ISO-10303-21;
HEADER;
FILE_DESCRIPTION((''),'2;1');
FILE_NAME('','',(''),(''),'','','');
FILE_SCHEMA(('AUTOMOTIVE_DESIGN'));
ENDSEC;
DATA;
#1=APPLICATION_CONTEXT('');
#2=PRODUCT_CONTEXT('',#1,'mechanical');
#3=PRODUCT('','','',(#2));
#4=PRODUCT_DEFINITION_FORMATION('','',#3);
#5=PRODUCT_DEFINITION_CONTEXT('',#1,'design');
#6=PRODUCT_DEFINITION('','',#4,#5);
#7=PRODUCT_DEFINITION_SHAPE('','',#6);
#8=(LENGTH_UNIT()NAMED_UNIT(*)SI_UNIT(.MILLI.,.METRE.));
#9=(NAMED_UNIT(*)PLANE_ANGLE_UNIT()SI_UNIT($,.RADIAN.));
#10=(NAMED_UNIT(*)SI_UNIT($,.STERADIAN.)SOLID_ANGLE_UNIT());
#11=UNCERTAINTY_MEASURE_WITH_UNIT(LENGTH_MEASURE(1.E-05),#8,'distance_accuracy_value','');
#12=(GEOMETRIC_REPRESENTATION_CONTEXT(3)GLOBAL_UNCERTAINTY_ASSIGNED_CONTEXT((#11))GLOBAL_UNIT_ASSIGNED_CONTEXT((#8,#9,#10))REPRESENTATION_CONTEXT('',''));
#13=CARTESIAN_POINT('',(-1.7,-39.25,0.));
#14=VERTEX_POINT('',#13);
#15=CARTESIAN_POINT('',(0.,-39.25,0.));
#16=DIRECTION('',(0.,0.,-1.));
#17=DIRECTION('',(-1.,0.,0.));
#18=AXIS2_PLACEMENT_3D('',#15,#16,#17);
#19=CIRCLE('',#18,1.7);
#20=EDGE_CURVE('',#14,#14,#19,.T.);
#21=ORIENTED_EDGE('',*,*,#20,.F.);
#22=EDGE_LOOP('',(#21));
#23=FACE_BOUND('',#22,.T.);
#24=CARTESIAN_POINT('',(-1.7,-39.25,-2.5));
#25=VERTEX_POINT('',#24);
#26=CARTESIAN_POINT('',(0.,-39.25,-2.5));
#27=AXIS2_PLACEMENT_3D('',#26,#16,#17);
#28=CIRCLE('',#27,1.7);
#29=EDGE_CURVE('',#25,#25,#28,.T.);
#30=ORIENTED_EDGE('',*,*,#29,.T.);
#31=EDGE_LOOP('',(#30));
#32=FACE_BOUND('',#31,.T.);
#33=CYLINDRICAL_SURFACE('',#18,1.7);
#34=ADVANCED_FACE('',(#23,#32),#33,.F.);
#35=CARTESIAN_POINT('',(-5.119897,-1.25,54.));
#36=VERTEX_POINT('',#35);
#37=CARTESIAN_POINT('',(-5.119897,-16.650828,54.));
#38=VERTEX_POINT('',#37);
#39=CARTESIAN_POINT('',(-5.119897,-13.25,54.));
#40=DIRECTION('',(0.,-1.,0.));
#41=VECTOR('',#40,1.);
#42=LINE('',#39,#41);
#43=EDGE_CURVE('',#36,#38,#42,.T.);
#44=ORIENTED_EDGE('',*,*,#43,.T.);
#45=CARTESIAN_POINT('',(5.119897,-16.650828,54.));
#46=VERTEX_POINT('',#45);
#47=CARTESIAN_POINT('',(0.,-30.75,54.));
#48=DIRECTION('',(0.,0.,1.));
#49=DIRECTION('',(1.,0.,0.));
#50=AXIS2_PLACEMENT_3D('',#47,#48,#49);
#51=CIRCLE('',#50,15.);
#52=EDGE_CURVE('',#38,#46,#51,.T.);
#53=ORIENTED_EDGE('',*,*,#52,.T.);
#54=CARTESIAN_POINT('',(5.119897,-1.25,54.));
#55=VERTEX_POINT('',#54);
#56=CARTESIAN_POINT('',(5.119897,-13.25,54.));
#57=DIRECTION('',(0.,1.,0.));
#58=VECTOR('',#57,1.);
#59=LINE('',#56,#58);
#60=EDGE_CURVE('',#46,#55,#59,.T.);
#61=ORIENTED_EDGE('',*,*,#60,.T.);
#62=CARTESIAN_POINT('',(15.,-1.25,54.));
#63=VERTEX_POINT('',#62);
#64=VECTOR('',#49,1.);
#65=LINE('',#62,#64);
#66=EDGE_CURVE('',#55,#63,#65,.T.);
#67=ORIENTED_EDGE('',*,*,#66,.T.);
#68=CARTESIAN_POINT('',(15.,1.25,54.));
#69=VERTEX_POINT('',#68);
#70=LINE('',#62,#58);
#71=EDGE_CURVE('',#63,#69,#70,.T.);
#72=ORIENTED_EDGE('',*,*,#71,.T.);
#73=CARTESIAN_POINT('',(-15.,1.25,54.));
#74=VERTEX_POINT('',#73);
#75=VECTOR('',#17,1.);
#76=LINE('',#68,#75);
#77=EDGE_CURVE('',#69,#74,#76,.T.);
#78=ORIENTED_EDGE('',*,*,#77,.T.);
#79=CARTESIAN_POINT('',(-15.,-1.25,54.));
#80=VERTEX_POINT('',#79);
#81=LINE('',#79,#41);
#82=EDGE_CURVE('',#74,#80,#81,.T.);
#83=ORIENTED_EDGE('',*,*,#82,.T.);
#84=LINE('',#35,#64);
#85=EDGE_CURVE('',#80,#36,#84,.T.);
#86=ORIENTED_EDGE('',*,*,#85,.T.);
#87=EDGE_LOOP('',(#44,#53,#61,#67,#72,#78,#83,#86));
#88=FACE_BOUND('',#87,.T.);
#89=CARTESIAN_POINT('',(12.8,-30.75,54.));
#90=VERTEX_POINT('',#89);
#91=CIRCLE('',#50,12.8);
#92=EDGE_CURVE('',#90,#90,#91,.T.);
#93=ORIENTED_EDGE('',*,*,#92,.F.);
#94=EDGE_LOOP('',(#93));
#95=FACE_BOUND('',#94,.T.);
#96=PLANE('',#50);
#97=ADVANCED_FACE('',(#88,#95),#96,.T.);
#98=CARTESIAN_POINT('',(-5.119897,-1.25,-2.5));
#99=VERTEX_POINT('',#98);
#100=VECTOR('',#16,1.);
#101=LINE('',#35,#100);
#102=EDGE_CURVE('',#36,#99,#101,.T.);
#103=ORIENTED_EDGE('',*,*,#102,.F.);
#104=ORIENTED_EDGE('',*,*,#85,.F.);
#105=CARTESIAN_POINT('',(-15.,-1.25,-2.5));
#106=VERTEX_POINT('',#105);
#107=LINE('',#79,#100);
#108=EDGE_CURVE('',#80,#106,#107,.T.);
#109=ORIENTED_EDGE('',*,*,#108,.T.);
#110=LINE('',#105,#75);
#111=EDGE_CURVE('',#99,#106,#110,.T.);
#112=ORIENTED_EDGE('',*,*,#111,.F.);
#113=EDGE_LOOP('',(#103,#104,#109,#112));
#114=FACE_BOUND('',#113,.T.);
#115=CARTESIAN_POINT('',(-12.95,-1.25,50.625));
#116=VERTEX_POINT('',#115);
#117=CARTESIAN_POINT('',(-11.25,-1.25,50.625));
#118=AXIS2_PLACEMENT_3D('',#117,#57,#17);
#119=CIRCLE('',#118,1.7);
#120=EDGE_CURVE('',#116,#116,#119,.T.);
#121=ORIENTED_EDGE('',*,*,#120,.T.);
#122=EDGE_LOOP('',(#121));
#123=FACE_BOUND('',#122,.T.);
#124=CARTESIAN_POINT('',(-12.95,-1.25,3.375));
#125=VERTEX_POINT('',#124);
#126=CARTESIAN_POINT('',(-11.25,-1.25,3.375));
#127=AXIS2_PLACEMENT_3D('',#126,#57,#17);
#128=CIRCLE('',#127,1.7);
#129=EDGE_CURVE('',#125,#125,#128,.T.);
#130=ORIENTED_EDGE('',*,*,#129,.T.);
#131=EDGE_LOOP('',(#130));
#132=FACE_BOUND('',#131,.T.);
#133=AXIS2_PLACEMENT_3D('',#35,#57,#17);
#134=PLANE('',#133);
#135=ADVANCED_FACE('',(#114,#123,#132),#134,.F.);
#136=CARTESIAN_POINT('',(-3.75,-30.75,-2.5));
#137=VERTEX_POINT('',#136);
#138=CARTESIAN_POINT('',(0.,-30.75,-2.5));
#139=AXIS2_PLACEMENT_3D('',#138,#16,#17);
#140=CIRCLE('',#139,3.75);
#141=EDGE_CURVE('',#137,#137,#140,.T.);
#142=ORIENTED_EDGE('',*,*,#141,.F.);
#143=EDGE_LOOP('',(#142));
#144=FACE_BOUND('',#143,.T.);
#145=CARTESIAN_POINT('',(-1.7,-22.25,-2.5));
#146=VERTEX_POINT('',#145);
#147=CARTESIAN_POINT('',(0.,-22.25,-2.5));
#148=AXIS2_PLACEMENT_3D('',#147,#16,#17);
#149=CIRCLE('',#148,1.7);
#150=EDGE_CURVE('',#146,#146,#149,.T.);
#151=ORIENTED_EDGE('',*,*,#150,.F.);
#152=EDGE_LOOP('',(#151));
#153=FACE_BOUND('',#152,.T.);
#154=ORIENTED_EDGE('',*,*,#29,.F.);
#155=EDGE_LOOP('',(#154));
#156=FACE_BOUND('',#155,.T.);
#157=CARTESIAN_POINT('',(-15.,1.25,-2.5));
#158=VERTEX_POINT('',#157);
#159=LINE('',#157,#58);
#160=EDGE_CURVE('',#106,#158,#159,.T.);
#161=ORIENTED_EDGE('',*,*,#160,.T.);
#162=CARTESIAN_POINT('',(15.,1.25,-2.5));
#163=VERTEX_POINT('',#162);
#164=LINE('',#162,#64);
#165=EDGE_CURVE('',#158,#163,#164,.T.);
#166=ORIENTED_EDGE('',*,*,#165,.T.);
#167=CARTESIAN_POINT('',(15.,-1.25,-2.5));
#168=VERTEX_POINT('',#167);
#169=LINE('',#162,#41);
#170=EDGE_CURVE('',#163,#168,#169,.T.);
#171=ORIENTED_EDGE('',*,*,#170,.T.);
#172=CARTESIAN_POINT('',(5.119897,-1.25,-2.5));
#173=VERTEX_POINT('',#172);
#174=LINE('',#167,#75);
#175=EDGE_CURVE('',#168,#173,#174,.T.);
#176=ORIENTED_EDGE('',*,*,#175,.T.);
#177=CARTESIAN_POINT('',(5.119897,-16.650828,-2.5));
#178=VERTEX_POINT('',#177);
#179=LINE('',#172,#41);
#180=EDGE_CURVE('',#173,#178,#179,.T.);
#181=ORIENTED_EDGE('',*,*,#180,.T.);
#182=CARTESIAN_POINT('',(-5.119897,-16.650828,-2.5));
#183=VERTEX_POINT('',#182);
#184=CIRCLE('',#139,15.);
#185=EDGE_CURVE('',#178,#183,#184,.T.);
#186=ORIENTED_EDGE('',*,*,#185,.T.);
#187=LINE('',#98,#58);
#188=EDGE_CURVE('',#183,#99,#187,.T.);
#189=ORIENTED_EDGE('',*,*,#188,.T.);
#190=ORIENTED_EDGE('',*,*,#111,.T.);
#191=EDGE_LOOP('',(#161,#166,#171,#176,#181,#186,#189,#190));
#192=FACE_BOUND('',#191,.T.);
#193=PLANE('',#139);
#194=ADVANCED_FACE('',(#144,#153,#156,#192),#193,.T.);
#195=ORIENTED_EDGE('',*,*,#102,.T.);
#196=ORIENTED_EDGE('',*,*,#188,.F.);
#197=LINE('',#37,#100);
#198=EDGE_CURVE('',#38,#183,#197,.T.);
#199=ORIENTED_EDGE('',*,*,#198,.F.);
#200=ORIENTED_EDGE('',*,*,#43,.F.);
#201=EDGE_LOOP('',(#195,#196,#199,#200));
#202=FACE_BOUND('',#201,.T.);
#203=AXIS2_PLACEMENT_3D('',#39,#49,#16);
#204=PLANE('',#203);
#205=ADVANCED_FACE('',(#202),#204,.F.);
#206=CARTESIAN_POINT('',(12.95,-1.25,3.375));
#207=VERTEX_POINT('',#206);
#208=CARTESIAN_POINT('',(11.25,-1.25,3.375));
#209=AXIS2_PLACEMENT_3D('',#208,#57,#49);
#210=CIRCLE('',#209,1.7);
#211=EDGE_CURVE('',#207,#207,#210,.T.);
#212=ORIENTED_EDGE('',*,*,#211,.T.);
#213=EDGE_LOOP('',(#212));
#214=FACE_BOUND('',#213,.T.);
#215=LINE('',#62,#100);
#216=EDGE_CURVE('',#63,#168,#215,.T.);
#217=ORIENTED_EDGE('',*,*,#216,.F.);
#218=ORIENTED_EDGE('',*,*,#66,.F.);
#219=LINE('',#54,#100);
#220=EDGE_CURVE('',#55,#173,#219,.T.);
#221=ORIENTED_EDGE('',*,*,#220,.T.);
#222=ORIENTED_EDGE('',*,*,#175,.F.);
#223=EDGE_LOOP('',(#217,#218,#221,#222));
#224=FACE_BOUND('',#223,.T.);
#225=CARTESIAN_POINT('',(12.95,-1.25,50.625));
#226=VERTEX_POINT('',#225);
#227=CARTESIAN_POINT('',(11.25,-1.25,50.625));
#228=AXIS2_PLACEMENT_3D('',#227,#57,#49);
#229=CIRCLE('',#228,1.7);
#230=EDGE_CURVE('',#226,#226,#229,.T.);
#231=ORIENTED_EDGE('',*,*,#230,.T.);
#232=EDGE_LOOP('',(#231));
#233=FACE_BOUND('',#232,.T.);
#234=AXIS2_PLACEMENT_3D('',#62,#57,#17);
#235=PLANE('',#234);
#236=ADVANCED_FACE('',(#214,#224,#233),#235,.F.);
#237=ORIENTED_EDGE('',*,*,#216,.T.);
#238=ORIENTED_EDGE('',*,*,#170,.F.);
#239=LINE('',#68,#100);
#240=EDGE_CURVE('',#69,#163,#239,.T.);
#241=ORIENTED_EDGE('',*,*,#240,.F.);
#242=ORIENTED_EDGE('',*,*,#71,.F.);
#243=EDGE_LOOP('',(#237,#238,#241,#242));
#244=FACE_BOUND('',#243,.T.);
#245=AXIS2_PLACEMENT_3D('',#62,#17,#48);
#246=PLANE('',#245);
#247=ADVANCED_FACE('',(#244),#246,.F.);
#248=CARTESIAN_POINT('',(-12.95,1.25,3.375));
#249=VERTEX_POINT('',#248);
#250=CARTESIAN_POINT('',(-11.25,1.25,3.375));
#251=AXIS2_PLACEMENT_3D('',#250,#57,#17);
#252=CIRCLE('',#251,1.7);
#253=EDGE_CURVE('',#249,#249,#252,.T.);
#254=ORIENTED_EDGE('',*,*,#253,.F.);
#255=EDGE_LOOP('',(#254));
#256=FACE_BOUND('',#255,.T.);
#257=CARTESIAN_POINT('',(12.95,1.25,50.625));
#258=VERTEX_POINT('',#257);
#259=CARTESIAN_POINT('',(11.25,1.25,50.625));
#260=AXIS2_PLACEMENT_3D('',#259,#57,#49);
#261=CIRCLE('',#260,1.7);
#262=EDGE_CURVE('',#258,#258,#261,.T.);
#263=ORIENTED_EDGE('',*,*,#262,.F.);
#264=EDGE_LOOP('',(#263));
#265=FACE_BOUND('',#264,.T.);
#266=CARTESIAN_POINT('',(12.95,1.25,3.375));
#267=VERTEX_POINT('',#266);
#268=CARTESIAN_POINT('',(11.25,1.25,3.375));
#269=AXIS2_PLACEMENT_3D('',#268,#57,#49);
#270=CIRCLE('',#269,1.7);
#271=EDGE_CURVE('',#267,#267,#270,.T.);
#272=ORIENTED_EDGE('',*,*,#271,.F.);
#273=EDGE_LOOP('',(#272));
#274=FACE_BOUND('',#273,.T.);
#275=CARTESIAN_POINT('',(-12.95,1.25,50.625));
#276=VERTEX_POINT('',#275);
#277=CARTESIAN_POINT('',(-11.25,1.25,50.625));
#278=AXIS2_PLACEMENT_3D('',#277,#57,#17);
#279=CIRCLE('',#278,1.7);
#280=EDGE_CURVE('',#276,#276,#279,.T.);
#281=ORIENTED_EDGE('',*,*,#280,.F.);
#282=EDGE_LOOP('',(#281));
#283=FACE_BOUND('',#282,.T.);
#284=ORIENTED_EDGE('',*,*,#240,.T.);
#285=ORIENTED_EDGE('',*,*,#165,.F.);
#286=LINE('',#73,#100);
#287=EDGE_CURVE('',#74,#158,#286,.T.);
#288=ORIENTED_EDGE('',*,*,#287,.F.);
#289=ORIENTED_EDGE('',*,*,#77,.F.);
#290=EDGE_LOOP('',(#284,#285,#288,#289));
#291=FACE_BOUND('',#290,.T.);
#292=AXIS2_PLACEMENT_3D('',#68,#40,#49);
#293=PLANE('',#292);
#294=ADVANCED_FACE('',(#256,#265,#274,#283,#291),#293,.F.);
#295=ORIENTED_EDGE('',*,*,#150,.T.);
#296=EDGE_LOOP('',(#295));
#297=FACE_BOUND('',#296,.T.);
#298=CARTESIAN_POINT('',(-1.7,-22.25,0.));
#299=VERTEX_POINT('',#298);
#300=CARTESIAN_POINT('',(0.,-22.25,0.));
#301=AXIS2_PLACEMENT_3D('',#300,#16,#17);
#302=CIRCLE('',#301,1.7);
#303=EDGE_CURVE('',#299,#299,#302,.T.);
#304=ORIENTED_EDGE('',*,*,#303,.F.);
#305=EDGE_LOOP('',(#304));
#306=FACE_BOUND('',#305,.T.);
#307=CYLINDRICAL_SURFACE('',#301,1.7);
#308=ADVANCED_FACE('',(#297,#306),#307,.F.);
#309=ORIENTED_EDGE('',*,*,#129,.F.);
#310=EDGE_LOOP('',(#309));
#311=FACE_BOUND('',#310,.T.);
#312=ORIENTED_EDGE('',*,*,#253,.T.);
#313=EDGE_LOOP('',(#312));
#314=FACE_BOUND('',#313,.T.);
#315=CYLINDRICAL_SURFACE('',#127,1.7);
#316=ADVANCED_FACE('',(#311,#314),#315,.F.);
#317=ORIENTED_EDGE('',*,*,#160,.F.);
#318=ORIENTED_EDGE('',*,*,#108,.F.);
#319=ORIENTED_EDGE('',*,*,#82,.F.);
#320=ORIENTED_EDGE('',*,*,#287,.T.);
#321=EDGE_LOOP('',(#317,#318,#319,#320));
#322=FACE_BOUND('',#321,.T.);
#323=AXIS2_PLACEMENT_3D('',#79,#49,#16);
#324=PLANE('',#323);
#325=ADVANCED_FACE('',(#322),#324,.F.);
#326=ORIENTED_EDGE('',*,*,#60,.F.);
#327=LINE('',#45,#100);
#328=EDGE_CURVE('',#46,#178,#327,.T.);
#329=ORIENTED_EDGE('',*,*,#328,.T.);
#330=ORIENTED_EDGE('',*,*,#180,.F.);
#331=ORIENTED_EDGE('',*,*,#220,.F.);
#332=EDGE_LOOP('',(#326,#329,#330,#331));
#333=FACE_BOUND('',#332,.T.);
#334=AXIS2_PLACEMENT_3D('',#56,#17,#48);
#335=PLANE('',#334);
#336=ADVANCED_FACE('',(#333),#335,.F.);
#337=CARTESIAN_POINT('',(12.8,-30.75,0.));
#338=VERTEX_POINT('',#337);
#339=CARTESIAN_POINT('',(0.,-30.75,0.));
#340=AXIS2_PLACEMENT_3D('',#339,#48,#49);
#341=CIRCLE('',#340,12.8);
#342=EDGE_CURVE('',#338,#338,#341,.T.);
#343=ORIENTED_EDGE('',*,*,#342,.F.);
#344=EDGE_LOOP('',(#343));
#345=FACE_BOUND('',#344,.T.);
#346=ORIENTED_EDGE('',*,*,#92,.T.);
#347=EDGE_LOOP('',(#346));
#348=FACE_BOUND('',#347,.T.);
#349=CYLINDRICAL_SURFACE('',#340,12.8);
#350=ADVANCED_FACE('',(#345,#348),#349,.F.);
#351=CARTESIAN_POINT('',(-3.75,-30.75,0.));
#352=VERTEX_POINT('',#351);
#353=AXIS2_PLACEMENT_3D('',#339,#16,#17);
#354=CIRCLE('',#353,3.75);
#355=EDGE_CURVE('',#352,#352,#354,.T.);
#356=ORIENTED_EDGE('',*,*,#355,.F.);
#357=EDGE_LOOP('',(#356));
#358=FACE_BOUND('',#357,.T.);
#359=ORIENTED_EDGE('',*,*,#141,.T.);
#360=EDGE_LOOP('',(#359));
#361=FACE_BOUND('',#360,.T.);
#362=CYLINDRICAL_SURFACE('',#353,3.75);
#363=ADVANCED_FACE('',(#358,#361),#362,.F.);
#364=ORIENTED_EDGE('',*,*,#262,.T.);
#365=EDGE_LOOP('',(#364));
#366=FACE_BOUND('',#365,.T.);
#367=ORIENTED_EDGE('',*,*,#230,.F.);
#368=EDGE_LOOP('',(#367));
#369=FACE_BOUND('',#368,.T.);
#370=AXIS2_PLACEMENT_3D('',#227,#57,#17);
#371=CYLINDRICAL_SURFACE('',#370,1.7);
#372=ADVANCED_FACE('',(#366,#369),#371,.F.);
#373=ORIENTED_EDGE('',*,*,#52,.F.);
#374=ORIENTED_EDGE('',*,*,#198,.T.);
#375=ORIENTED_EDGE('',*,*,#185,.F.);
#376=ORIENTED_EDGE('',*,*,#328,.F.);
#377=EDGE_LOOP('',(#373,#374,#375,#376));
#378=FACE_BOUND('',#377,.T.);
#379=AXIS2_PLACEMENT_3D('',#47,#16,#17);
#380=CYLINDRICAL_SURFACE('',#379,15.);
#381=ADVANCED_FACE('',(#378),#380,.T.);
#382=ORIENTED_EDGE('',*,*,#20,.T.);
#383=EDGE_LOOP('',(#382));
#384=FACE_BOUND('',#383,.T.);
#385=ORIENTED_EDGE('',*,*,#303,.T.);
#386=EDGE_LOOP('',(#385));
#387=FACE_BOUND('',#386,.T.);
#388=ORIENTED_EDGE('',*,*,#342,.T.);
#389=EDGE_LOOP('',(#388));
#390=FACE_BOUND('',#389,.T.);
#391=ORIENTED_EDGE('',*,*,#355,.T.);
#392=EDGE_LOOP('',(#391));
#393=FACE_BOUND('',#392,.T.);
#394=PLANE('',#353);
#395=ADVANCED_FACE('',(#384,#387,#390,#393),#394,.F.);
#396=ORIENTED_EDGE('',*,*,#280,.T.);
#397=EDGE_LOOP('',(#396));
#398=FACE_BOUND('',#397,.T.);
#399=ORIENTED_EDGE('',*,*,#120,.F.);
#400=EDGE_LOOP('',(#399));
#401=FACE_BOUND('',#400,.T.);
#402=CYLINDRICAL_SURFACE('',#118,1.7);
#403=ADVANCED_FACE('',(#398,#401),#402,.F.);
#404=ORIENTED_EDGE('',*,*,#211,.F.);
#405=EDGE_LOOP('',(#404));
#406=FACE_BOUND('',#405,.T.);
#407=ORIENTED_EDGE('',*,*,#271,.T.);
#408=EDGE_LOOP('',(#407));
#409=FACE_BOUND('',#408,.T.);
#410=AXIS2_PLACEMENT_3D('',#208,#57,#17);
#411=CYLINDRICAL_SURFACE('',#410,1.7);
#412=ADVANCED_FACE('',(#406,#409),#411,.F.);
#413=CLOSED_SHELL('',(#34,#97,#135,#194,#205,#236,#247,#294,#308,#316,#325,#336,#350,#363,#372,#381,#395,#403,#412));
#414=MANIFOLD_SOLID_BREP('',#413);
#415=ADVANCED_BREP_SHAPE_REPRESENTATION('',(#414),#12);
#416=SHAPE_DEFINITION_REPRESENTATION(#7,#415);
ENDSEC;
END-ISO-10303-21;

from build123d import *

# Parameters (mm, degrees)
CROQUIS1_R              = 12.5
SALIENTE_EXTRUIR1_DEPTH = 54
CROQUIS2_R              = 15
SALIENTE_EXTRUIR2_DEPTH = 2.5
CROQUIS3_R              = 3.75
CORTAR_EXTRUIR2_DEPTH   = 2.5
CROQUIS5_R              = 1.5
CORTAR_EXTRUIR3_DEPTH   = 2.5
CROQUIS9_R              = 1.5
CORTAR_EXTRUIR5_DEPTH   = 2.5
SALIENTE_EXTRUIR3_DEPTH = 2.5
CROQUIS11_R             = 12.8
CORTAR_EXTRUIR6_DEPTH   = 54
CROQUIS12_R             = 1.7
CORTAR_EXTRUIR7_DEPTH   = 2.5
CROQUIS16_R             = 1.7
CORTAR_EXTRUIR8_DEPTH   = 2.5
CROQUIS17_R             = 1.7
CORTAR_EXTRUIR9_DEPTH   = 2.5


with BuildPart() as part:
    # Croquis1 → Saliente-Extruir1 (new body)
    with BuildSketch(Plane.XY):
        with BuildLine():
            Line((-5.119897429, -1.25), (-15, -1.25))
            Line((-15, -1.25), (-15, 1.25))
            Line((-15, 1.25), (15, 1.25))
            Line((15, 1.25), (15, -1.25))
            Line((15, -1.25), (5.119897429, -1.25))
            Line((5.119897429, -1.25), (5.119897429, -13.25))
            Line((5.119897429, -13.25), (5.119897429, -16.650828027))
            ThreePointArc((5.119897429, -16.650828027), (0, -45.75), (-5.119897429, -16.650828027))
            Line((-5.119897429, -16.650828027), (-5.119897429, -13.25))
            Line((-5.119897429, -13.25), (-5.119897429, -1.25))
        make_face()
        with Locations((0, -30.75)):
            Circle(CROQUIS1_R, mode=Mode.SUBTRACT)
    extrude(amount=SALIENTE_EXTRUIR1_DEPTH)

    # Croquis2 → Saliente-Extruir2 (add)
    with BuildSketch(Plane(origin=(0, 0, 0), x_dir=(-1, 0, 0), z_dir=(0, 0, -1))):
        with Locations((0, -30.75)):
            Circle(CROQUIS2_R)
    extrude(amount=SALIENTE_EXTRUIR2_DEPTH)

    # Croquis3 → Cortar-Extruir2 (cut)
    with BuildSketch(Plane(origin=(0, 0, -2.5), x_dir=(-1, 0, 0), z_dir=(0, 0, -1))):
        with Locations((0, -30.75)):
            Circle(CROQUIS3_R)
    extrude(amount=-CORTAR_EXTRUIR2_DEPTH, mode=Mode.SUBTRACT)

    # Croquis5 → Cortar-Extruir3 (cut)
    with BuildSketch(Plane(origin=(0, 0, -2.5), x_dir=(-1, 0, 0), z_dir=(0, 0, -1))):
        with Locations((0, -22.25)):
            Circle(CROQUIS5_R)
        with Locations((0, -39.25)):
            Circle(CROQUIS5_R)
    extrude(amount=-CORTAR_EXTRUIR3_DEPTH, mode=Mode.SUBTRACT)

    # Croquis9 → Cortar-Extruir5 (cut)
    with BuildSketch(Plane(origin=(0, 1.25, 0), x_dir=(1, 0, 0), z_dir=(0, 1, 0))):
        with Locations((-11.25, -50.625)):
            Circle(CROQUIS9_R)
        with Locations((-11.25, -3.375)):
            Circle(CROQUIS9_R)
        with Locations((11.25, -50.625)):
            Circle(CROQUIS9_R)
        with Locations((11.25, -3.375)):
            Circle(CROQUIS9_R)
    extrude(amount=-CORTAR_EXTRUIR5_DEPTH, mode=Mode.SUBTRACT)

    # Croquis10 → Saliente-Extruir3 (add)
    with BuildSketch(Plane(origin=(0, 0, 0), x_dir=(-1, 0, 0), z_dir=(0, 0, -1))):
        with BuildLine():
            Line((-15, 1.25), (15, 1.25))
            Line((15, 1.25), (15, -1.25))
            Line((15, -1.25), (5.119897429, -1.25))
            Line((5.119897429, -1.25), (5.119897429, -16.650828027))
            ThreePointArc((5.119897429, -16.650828027), (0, -15.75), (-5.119897429, -16.650828027))
            Line((-5.119897429, -16.650828027), (-5.119897429, -1.25))
            Line((-5.119897429, -1.25), (-15, -1.25))
            Line((-15, -1.25), (-15, 1.25))
        make_face()
    extrude(amount=SALIENTE_EXTRUIR3_DEPTH)

    # Croquis11 → Cortar-Extruir6 (cut)
    with BuildSketch(Plane.XY.offset(54)):
        with Locations((0, -30.75)):
            Circle(CROQUIS11_R)
    extrude(amount=-CORTAR_EXTRUIR6_DEPTH, mode=Mode.SUBTRACT)

    # Croquis12 → Cortar-Extruir7 (cut)
    with BuildSketch(Plane(origin=(0, 0, -2.5), x_dir=(-1, 0, 0), z_dir=(0, 0, -1))):
        with Locations((0, -22.25)):
            Circle(CROQUIS12_R)
        with Locations((0, -39.25)):
            Circle(CROQUIS12_R)
    extrude(amount=-CORTAR_EXTRUIR7_DEPTH, mode=Mode.SUBTRACT)

    # Croquis16 → Cortar-Extruir8 (cut)
    with BuildSketch(Plane(origin=(0, 1.25, 0), x_dir=(1, 0, 0), z_dir=(0, 1, 0))):
        with Locations((-11.25, -3.375)):
            Circle(CROQUIS16_R)
    extrude(amount=-CORTAR_EXTRUIR8_DEPTH, mode=Mode.SUBTRACT)

    # Croquis17 → Cortar-Extruir9 (cut)
    with BuildSketch(Plane(origin=(0, 1.25, 0), x_dir=(1, 0, 0), z_dir=(0, 1, 0))):
        with Locations((-11.25, -3.375)):
            Circle(CROQUIS17_R)
        with Locations((11.25, -3.375)):
            Circle(CROQUIS17_R)
        with Locations((-11.25, -50.625)):
            Circle(CROQUIS17_R)
        with Locations((11.25, -50.625)):
            Circle(CROQUIS17_R)
    extrude(amount=-CORTAR_EXTRUIR9_DEPTH, mode=Mode.SUBTRACT)


solid = part.part
